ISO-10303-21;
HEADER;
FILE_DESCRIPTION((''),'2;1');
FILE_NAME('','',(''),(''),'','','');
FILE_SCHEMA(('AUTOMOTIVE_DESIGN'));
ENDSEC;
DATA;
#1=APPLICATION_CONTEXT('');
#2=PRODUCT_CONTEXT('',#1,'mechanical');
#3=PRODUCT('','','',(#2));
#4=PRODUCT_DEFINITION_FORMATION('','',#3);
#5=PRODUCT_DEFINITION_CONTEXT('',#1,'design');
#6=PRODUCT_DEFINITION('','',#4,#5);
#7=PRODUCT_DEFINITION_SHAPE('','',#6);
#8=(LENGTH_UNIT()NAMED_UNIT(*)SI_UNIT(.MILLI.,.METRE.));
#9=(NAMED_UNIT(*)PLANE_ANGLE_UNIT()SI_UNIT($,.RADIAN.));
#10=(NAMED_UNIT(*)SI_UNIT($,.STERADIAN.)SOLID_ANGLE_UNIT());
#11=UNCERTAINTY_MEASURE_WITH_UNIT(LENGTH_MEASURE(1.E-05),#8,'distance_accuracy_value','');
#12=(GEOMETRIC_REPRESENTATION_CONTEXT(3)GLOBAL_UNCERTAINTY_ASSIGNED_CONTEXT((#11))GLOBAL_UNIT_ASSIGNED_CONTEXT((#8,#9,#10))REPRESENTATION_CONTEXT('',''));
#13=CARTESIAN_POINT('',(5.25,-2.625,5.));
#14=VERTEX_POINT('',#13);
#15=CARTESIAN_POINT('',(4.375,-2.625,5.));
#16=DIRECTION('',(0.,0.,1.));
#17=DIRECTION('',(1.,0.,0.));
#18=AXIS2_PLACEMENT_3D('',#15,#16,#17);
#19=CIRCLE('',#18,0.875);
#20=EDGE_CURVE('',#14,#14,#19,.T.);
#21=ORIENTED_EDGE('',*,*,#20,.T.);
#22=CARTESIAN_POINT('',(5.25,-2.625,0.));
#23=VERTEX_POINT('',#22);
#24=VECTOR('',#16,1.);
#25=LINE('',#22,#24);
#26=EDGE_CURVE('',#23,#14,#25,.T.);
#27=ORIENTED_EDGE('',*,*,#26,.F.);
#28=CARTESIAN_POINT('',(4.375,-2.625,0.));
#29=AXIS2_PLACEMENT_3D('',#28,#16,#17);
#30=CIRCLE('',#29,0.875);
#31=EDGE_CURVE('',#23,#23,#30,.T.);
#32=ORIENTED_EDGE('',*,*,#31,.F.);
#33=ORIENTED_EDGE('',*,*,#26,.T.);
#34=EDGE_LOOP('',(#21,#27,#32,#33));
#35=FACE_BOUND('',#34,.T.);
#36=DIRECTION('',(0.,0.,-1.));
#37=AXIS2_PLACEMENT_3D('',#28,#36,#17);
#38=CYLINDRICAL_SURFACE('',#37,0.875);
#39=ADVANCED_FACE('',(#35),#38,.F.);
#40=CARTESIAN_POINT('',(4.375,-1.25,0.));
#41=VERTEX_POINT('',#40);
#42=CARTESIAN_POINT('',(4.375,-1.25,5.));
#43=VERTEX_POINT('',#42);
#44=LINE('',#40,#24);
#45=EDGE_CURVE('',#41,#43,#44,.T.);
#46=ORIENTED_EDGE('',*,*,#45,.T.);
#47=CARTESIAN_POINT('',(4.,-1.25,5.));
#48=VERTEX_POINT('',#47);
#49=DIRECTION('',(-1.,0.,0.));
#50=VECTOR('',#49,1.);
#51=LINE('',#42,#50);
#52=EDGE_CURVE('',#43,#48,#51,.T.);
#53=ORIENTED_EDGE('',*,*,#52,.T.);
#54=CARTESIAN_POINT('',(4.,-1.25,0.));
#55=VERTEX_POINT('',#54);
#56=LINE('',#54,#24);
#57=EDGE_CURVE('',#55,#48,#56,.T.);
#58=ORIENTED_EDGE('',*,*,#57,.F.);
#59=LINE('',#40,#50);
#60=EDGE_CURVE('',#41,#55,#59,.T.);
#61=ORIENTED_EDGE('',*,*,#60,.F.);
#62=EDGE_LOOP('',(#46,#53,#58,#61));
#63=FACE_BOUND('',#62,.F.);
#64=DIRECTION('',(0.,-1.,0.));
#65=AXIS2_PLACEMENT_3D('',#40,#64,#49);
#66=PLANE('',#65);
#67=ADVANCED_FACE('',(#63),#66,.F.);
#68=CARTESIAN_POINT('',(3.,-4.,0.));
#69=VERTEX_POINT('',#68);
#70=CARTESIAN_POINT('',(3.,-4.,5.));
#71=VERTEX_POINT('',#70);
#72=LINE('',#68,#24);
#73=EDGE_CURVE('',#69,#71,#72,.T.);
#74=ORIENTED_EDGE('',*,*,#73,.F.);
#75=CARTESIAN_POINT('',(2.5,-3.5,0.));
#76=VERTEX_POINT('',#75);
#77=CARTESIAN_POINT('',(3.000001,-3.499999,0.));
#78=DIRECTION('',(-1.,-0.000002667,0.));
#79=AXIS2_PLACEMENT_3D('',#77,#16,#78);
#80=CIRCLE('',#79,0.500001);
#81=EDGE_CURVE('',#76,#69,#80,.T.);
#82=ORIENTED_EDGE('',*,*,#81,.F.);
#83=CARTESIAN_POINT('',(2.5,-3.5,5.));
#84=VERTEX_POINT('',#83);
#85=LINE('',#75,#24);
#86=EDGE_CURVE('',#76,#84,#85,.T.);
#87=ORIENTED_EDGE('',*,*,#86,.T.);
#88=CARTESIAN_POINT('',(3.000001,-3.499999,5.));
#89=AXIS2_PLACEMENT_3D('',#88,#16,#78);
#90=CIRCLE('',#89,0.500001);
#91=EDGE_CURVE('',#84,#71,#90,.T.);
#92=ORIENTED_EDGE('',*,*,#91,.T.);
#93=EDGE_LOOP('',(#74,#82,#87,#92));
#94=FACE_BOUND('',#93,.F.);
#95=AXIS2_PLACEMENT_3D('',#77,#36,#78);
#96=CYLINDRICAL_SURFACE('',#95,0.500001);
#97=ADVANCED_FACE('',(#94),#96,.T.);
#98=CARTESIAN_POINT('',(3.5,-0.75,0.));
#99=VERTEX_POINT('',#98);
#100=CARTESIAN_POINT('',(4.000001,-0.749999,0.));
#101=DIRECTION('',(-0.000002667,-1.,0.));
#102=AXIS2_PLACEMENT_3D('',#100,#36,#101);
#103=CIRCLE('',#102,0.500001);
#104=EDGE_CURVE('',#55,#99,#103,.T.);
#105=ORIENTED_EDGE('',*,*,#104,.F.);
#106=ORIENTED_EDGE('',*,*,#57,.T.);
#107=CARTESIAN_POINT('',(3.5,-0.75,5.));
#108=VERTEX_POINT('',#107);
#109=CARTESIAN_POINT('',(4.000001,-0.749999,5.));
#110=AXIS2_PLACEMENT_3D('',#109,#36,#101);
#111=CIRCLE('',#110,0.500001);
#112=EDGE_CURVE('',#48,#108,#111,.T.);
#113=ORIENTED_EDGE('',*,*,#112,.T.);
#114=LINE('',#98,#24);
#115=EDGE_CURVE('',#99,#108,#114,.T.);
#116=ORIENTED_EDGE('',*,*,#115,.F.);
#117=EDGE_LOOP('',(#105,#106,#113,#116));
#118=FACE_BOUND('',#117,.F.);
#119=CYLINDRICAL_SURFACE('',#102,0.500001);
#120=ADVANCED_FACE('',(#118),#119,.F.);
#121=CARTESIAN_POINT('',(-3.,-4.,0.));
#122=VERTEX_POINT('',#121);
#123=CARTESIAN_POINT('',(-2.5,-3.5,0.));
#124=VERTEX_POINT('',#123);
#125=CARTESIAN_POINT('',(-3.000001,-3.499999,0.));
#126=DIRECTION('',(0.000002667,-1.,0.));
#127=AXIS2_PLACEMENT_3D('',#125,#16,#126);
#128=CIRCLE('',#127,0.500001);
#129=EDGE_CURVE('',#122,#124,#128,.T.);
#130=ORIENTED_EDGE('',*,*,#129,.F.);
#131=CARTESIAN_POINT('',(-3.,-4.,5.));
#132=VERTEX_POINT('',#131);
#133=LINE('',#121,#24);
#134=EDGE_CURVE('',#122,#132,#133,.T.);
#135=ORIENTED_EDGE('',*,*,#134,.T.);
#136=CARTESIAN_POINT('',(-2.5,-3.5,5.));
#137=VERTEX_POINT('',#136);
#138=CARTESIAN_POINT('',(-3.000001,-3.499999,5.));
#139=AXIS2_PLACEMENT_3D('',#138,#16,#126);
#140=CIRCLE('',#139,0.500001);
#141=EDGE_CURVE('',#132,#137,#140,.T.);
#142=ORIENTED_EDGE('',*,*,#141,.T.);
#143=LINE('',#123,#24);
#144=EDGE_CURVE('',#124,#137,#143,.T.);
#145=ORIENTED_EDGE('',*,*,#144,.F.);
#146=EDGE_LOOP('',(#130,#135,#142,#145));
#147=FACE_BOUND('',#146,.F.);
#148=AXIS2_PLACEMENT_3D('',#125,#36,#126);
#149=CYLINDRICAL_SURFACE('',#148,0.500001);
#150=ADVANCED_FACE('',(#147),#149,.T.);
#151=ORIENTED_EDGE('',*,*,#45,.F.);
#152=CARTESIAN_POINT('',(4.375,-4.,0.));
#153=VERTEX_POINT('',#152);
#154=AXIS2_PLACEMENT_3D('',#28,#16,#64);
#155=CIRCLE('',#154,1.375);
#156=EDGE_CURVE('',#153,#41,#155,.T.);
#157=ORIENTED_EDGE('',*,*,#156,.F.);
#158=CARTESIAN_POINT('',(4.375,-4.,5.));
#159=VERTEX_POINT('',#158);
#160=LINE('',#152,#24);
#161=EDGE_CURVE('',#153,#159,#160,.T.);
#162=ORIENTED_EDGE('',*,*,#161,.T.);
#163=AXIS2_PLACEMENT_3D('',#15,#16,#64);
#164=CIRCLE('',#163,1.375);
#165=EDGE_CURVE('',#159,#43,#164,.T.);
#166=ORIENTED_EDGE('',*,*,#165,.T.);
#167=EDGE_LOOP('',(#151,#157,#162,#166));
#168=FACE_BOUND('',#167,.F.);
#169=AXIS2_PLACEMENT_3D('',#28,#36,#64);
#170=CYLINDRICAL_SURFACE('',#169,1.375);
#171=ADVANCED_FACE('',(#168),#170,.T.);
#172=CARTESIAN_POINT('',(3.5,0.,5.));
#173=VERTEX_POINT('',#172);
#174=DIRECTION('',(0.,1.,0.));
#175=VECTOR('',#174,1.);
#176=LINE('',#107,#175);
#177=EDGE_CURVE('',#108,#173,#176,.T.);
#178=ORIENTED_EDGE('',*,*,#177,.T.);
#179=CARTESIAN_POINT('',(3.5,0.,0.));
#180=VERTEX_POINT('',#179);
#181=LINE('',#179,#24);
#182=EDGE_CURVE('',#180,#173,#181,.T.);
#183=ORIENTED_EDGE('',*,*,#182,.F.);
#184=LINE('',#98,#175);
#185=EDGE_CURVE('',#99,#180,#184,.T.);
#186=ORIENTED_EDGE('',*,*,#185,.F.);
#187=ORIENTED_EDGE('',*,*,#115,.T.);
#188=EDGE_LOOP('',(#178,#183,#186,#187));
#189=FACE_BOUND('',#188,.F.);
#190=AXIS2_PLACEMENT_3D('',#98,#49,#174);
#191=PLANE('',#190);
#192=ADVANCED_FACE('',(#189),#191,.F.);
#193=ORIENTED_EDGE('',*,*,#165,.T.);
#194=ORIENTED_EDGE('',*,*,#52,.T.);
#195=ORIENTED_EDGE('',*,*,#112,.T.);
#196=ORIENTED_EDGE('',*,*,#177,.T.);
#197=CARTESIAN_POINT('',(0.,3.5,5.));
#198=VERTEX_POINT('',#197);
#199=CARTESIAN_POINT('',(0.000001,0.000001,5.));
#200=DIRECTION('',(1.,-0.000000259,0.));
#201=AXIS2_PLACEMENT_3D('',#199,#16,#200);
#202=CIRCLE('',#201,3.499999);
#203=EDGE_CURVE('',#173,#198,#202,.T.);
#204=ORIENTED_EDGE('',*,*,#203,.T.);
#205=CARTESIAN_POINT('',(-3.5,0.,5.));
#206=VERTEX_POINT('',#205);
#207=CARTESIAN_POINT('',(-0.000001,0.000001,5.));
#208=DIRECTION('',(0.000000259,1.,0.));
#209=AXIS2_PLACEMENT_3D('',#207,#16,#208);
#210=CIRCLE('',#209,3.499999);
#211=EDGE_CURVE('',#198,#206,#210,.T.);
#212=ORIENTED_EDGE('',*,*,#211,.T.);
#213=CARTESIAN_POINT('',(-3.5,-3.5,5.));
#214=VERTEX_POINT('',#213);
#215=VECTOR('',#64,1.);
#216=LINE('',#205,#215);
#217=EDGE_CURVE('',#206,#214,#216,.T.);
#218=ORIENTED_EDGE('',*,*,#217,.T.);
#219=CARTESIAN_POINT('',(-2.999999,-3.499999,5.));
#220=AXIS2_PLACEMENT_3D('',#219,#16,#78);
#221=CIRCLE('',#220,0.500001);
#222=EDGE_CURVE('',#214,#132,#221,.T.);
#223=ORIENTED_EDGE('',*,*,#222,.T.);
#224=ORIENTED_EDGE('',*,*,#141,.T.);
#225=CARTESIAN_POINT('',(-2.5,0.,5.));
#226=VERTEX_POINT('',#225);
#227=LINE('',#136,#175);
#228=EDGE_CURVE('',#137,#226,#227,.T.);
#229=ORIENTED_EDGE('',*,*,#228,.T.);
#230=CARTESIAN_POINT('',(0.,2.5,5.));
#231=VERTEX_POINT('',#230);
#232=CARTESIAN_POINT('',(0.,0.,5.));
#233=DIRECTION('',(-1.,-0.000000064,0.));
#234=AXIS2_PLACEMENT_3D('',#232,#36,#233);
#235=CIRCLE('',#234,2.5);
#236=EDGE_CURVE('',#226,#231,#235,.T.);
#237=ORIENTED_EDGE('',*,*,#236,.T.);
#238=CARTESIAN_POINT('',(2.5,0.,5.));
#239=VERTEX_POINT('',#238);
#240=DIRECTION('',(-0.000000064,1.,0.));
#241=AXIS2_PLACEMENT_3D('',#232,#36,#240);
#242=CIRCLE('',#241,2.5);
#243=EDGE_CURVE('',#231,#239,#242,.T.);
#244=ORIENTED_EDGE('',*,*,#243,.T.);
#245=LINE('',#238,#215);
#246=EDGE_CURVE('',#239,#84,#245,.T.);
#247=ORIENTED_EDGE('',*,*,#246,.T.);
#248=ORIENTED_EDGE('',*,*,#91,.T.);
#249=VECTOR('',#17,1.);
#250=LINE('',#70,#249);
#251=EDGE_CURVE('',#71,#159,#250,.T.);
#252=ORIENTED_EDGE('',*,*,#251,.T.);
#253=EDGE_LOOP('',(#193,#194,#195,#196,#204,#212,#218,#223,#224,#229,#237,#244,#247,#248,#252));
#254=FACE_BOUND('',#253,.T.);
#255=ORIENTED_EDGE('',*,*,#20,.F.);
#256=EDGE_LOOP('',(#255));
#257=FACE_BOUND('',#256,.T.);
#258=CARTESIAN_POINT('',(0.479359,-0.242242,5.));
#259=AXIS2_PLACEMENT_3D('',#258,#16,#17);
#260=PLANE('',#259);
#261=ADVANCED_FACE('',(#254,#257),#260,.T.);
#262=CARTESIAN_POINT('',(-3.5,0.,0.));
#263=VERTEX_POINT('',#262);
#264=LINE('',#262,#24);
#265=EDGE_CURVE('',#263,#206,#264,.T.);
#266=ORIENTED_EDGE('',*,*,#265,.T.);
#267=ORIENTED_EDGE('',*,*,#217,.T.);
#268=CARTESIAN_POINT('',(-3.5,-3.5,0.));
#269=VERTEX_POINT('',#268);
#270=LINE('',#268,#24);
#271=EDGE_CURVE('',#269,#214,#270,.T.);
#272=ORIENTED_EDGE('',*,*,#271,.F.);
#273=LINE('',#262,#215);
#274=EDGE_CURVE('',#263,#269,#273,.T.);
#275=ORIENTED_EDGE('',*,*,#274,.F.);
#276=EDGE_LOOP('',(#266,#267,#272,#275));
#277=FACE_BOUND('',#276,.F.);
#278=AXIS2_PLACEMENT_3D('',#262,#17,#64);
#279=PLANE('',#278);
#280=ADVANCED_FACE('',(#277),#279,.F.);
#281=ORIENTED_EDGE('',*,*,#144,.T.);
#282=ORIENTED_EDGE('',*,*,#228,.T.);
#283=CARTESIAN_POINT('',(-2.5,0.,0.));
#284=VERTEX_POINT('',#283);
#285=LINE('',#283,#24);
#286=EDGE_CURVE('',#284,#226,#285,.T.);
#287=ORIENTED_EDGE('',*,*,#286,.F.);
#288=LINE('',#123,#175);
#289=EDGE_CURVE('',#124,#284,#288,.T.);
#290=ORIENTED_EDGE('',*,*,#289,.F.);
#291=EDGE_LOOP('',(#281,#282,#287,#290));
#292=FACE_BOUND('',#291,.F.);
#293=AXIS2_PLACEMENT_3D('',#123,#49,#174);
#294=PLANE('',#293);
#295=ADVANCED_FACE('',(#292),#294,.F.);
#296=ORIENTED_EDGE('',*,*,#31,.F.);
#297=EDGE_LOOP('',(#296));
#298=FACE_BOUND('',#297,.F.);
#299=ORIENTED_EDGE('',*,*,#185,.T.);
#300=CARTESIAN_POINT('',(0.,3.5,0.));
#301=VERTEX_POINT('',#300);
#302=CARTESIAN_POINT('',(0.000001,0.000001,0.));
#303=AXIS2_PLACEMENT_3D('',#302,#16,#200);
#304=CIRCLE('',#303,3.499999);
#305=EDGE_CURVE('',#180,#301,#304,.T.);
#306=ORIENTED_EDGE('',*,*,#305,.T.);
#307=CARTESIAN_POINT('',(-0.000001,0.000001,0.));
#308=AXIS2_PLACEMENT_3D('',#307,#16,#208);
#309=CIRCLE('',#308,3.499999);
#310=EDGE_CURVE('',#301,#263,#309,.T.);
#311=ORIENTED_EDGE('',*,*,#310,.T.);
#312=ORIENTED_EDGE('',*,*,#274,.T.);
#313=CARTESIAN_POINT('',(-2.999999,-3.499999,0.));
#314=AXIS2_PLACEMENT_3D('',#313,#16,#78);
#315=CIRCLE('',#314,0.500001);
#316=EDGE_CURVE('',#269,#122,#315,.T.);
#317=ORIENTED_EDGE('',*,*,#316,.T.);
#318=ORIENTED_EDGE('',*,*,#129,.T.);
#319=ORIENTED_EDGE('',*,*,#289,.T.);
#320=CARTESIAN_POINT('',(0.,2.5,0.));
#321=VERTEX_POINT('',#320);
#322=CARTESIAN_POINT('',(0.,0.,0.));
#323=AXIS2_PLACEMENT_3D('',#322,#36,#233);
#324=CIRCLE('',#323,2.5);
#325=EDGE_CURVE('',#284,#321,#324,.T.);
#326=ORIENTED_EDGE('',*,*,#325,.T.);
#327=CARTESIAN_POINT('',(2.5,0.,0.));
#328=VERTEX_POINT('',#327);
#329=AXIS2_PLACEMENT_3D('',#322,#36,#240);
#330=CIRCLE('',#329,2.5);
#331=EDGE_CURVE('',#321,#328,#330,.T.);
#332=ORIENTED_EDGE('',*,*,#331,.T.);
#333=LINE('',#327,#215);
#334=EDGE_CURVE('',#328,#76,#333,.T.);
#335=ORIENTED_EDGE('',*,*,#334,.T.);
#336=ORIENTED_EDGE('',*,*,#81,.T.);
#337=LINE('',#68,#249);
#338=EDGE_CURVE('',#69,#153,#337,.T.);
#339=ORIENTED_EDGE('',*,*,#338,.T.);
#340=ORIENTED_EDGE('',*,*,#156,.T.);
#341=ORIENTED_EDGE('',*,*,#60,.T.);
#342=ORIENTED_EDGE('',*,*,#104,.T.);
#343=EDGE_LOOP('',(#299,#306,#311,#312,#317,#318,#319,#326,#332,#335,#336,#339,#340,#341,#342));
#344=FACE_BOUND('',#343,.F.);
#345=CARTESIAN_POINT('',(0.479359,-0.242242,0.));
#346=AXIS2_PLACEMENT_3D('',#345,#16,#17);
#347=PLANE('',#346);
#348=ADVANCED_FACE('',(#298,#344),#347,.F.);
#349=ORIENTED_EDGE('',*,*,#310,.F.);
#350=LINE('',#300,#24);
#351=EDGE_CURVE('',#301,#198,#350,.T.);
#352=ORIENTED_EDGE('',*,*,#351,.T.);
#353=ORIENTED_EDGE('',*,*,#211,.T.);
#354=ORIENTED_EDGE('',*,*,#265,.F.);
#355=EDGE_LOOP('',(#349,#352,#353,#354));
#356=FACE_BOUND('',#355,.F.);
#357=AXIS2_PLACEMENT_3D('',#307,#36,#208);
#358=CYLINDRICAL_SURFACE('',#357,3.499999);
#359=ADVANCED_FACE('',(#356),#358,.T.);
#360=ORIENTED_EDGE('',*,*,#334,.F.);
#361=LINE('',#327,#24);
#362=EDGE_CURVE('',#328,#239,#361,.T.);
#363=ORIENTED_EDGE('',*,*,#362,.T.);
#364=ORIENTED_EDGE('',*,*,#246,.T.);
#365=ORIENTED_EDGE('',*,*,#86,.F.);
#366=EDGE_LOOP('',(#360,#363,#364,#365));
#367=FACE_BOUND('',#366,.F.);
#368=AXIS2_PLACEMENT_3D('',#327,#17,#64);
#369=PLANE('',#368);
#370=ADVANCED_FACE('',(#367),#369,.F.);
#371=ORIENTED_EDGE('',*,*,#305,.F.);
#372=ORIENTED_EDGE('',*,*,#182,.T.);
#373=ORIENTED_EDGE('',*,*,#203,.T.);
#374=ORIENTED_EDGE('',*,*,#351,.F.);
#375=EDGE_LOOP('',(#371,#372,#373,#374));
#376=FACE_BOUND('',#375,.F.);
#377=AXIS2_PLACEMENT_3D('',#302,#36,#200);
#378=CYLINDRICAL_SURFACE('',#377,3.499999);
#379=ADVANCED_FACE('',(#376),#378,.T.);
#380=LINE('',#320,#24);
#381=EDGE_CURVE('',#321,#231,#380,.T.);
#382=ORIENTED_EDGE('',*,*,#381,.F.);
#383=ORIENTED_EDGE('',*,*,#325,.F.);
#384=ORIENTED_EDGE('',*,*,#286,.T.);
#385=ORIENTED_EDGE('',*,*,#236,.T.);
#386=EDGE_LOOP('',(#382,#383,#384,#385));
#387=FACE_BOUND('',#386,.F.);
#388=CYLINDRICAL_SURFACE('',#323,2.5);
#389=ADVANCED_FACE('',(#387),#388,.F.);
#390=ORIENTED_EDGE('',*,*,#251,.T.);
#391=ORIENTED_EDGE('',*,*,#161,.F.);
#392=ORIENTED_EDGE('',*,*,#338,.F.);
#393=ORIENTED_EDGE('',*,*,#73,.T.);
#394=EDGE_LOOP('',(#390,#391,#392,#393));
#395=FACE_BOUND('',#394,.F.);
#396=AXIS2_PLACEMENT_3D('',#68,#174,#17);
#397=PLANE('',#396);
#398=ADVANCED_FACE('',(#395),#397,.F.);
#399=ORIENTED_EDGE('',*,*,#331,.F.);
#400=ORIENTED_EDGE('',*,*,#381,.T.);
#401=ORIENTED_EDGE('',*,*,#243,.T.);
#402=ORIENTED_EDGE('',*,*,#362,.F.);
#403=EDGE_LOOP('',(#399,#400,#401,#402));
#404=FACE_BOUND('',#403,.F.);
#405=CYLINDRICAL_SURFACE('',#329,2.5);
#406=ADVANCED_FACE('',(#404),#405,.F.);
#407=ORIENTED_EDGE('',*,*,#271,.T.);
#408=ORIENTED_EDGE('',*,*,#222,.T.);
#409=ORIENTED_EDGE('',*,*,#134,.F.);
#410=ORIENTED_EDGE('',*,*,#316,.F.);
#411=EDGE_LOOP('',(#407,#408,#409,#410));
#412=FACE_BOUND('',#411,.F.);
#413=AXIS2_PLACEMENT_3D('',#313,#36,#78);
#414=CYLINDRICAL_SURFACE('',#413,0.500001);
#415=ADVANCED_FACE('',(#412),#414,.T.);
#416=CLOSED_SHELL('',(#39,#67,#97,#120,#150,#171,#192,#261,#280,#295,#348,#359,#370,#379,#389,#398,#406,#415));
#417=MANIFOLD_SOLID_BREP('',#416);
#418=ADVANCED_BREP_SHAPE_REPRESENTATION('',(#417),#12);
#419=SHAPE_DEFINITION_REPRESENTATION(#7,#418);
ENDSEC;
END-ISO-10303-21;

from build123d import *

# Parameters (mm, degrees)
F0_R     = 0.875
F1_DEPTH = 5


with BuildPart() as f1:
    # F0 (on Top) → F1 (new body)
    with BuildSketch(Plane.XY):
        with BuildLine():
            ThreePointArc((-2.5, 0), (-1.767767, 1.767767), (0, 2.5))
            ThreePointArc((0, 2.5), (1.767767, 1.767767), (2.5, 0))
            Line((2.5, 0), (2.5, -3.5))
            ThreePointArc((2.5, -3.5), (2.646447, -3.853553), (3, -4))
            Line((3, -4), (3.5, -4))
            Line((3.5, -4), (4.375, -4))
            ThreePointArc((4.375, -4), (5.75, -2.625), (4.375, -1.25))
            Line((4.375, -1.25), (4, -1.25))
            ThreePointArc((4, -1.25), (3.646447, -1.103553), (3.5, -0.75))
            Line((3.5, -0.75), (3.5, 0))
            ThreePointArc((3.5, 0), (2.474874, 2.474874), (0, 3.5))
            ThreePointArc((0, 3.5), (-2.474874, 2.474874), (-3.5, 0))
            Line((-3.5, 0), (-3.5, -3.5))
            ThreePointArc((-3.5, -3.5), (-3.353553, -3.853553), (-3, -4))
            ThreePointArc((-3, -4), (-2.646447, -3.853553), (-2.5, -3.5))
            Line((-2.5, -3.5), (-2.5, 0))
        make_face()
        with Locations((4.375, -2.625)):
            Circle(F0_R, mode=Mode.SUBTRACT)
    extrude(amount=F1_DEPTH)


solid = f1.part
